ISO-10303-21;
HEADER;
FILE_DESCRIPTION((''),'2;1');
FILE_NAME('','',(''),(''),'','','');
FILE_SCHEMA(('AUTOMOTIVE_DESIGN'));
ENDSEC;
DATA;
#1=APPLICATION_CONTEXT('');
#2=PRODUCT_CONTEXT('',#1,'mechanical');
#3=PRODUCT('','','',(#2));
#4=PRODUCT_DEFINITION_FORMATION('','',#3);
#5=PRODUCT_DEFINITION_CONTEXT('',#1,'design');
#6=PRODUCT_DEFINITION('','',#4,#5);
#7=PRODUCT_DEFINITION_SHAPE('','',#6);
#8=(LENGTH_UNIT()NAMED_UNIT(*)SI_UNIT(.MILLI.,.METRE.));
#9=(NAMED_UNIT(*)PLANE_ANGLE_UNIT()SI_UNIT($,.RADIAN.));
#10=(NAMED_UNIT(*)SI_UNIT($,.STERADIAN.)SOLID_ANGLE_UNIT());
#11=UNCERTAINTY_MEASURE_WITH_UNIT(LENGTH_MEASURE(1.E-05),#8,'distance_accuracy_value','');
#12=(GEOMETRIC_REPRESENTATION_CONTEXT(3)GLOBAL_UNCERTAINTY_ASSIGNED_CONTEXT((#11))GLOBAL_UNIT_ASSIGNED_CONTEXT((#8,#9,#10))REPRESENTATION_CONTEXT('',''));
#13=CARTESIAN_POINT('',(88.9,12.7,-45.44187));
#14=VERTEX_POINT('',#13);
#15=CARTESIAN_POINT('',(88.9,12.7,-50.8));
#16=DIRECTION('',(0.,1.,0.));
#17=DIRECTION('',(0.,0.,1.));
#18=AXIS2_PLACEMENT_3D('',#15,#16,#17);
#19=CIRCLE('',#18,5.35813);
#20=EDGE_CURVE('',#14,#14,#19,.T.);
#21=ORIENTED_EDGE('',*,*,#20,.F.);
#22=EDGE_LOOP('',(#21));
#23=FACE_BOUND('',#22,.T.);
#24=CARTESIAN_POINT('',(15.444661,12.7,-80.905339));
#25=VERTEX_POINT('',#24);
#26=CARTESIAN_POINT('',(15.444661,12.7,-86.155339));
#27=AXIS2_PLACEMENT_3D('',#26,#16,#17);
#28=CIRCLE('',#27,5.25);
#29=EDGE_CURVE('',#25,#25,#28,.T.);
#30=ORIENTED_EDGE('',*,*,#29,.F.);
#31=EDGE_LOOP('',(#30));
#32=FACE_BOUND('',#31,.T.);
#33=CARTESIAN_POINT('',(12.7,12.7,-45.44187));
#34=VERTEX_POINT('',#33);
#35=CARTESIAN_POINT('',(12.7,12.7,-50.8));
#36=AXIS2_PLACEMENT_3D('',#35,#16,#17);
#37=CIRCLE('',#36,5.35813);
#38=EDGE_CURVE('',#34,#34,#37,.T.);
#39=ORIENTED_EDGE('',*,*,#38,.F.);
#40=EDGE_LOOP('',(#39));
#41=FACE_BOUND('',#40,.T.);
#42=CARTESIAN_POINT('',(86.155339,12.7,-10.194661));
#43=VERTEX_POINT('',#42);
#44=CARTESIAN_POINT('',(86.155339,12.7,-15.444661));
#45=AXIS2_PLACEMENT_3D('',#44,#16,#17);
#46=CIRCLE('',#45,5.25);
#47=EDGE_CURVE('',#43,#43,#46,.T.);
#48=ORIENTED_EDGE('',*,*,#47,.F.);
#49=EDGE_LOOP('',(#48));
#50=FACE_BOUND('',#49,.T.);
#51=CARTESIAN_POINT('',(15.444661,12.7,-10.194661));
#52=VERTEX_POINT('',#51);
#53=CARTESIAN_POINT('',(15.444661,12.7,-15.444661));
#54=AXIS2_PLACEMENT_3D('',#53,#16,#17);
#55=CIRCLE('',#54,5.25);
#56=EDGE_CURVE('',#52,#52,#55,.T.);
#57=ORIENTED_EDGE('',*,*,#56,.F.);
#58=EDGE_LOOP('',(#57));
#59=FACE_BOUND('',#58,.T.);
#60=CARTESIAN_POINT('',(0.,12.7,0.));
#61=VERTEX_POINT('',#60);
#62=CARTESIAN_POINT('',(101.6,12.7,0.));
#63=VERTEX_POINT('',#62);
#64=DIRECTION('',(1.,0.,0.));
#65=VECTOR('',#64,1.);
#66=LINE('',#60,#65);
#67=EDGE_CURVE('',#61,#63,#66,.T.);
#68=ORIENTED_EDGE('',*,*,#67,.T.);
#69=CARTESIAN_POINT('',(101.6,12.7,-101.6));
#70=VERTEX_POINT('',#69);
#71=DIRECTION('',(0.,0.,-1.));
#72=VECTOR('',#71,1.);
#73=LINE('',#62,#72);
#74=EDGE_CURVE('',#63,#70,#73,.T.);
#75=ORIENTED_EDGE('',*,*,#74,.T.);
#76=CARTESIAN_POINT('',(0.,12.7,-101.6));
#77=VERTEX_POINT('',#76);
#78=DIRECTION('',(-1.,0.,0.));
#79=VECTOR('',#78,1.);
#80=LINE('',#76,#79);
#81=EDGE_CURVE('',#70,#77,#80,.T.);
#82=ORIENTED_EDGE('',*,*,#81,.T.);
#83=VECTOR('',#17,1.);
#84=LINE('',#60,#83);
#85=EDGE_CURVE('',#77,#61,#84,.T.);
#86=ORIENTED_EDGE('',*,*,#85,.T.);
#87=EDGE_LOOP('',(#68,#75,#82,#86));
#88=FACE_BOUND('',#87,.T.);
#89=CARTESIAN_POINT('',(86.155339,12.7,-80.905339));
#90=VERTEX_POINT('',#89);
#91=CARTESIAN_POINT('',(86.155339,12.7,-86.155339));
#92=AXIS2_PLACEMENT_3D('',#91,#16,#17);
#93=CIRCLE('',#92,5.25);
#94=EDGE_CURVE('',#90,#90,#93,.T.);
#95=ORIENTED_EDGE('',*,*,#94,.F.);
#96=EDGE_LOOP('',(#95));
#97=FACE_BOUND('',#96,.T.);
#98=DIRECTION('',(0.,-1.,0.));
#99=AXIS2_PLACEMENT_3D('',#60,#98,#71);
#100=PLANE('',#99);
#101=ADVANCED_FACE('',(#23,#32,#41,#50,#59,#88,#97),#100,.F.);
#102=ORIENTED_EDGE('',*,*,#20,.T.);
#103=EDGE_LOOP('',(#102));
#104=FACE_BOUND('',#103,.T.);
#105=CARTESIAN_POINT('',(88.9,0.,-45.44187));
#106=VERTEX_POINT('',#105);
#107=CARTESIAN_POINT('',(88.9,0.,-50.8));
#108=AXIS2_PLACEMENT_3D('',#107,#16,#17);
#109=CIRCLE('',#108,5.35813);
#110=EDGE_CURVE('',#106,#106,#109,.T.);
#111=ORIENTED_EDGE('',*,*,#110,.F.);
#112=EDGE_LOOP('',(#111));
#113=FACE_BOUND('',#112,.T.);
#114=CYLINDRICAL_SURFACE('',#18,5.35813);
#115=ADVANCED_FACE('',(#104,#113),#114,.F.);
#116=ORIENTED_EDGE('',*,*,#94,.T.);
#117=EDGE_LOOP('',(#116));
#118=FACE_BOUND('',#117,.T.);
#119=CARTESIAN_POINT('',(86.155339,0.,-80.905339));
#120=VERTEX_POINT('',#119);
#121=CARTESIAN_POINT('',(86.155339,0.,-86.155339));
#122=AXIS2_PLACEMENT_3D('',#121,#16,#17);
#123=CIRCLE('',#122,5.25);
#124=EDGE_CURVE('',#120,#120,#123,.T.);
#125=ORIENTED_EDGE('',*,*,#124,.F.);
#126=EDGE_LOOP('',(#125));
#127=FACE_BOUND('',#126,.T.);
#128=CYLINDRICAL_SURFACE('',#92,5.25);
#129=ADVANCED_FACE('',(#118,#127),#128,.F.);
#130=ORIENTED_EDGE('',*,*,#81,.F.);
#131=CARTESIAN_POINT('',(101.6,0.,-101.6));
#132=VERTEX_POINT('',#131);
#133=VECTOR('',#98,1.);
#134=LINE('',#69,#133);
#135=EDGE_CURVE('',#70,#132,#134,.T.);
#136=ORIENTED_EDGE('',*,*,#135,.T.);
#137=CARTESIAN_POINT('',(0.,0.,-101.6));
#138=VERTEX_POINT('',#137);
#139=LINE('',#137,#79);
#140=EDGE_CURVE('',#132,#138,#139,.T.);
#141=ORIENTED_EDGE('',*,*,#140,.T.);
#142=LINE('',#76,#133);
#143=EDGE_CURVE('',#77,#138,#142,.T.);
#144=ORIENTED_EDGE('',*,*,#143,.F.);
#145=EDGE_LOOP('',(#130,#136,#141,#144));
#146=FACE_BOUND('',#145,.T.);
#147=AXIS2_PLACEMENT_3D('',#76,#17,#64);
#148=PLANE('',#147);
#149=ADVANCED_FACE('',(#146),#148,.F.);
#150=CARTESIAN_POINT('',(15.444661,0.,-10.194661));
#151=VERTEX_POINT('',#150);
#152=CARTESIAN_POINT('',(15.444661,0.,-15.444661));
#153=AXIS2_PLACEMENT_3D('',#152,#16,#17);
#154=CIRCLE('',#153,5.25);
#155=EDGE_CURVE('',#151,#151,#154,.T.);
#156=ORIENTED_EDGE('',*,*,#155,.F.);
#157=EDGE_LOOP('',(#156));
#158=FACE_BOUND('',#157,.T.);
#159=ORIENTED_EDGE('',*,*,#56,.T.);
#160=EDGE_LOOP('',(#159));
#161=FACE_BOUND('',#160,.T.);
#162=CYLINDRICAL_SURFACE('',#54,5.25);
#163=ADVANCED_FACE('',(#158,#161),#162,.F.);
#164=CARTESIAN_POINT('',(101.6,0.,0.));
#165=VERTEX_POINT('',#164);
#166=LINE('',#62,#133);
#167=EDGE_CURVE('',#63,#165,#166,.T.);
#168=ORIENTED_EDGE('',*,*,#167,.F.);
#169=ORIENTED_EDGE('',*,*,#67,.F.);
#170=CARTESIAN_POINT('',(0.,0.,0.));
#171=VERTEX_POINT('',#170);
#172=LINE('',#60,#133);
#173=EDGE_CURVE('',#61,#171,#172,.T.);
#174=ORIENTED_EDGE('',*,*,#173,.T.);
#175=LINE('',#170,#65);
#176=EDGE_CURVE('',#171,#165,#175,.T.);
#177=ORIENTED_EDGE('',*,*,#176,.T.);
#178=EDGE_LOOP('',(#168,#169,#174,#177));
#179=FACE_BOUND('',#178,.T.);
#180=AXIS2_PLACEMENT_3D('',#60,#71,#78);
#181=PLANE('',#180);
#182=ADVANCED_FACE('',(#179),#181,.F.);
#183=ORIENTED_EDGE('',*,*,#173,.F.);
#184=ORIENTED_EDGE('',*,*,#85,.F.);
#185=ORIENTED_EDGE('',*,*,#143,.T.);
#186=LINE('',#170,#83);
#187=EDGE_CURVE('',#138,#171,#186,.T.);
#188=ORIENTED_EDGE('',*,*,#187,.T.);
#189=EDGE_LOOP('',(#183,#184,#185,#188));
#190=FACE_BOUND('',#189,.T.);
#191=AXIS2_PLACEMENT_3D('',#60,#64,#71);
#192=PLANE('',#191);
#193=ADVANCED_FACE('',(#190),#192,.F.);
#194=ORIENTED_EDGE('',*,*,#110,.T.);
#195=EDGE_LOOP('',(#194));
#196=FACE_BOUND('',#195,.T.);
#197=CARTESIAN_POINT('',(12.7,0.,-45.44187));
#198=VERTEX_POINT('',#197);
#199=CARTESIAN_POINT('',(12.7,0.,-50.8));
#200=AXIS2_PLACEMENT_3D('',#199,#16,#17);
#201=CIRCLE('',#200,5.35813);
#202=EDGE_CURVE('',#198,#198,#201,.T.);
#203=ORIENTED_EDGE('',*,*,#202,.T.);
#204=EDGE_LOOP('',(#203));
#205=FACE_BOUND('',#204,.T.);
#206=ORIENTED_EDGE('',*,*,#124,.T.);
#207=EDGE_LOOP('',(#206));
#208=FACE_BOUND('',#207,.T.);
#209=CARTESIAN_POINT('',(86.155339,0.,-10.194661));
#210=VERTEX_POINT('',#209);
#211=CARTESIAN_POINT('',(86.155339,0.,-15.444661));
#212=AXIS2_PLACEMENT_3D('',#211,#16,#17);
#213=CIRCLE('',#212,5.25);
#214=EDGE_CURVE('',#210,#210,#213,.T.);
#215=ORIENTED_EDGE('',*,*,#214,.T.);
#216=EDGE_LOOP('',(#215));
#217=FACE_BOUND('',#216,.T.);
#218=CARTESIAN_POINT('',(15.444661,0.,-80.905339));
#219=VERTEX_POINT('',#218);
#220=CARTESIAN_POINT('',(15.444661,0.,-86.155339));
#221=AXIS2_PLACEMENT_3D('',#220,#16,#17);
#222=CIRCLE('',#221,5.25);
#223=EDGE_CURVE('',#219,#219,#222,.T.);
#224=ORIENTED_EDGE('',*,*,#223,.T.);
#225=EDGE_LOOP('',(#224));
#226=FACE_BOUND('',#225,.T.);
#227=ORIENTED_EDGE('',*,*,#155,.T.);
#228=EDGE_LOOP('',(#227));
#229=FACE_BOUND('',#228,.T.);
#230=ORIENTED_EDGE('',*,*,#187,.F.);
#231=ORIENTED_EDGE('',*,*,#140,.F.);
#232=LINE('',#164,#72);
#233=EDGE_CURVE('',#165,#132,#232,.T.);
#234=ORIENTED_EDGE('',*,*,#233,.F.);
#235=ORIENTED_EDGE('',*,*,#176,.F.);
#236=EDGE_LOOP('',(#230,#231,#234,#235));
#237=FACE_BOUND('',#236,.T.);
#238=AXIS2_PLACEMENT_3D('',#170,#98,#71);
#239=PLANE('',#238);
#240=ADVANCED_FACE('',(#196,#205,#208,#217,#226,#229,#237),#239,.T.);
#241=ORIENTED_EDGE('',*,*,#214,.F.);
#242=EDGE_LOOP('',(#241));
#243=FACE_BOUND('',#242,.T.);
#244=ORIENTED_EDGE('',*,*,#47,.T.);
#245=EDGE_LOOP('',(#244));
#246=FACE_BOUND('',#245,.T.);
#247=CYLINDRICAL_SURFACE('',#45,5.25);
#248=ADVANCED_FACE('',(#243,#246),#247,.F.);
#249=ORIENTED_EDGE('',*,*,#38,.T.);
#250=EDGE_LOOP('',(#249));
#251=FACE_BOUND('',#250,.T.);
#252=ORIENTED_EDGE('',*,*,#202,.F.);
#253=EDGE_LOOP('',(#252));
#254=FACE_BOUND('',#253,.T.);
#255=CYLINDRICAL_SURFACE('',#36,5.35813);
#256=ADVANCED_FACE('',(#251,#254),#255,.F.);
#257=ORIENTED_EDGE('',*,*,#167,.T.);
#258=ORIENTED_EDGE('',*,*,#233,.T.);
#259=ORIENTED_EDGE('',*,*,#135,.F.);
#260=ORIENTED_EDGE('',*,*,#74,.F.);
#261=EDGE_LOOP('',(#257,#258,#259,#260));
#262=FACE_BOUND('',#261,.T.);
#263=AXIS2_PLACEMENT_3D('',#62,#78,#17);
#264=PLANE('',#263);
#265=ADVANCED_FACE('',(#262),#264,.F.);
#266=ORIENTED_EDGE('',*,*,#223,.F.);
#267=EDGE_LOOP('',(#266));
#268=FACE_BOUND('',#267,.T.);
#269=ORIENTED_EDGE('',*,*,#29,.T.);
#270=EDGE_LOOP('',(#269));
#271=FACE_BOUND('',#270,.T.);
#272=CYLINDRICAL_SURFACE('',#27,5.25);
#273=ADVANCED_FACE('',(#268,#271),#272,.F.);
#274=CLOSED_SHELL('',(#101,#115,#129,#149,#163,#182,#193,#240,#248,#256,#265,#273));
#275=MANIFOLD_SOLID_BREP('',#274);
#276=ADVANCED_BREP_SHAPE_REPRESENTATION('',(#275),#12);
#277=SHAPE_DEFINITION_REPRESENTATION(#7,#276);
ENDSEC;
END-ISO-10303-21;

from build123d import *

# Parameters (mm, degrees)
SKETCH1_W               = 101.6
SKETCH1_H               = 101.6
BOSS_EXTRUDE1_DEPTH     = 12.7
M10_CLEARANCE_HOLE1_D   = 10.5
F_1_2_13_TAPPED_HOLE1_D = 10.71626


with BuildPart() as part:
    # Sketch1 → Boss-Extrude1 (new body)
    with BuildSketch(Plane(origin=(0, 0, 0), x_dir=(1, 0, 0), z_dir=(0, 1, 0))):
        with Locations((50.8, 50.8)):
            Rectangle(SKETCH1_W, SKETCH1_H)
    extrude(amount=BOSS_EXTRUDE1_DEPTH)

    # M10 Clearance Hole1 (through all)
    with Locations(Plane(origin=(0, 12.7, 0), x_dir=(1, 0, 0), z_dir=(0, 1, 0))):
        with Locations((86.155339059, 86.155339059), (86.155339059, 15.444660941), (15.444660941, 86.155339059), (15.444660941, 15.444660941)):
            Hole(M10_CLEARANCE_HOLE1_D / 2)

    # 1/2-13 Tapped Hole1 (through all)
    with Locations(Plane(origin=(0, 12.7, 0), x_dir=(1, 0, 0), z_dir=(0, 1, 0))):
        with Locations((88.9, 50.8), (12.7, 50.8)):
            Hole(F_1_2_13_TAPPED_HOLE1_D / 2)


solid = part.part
